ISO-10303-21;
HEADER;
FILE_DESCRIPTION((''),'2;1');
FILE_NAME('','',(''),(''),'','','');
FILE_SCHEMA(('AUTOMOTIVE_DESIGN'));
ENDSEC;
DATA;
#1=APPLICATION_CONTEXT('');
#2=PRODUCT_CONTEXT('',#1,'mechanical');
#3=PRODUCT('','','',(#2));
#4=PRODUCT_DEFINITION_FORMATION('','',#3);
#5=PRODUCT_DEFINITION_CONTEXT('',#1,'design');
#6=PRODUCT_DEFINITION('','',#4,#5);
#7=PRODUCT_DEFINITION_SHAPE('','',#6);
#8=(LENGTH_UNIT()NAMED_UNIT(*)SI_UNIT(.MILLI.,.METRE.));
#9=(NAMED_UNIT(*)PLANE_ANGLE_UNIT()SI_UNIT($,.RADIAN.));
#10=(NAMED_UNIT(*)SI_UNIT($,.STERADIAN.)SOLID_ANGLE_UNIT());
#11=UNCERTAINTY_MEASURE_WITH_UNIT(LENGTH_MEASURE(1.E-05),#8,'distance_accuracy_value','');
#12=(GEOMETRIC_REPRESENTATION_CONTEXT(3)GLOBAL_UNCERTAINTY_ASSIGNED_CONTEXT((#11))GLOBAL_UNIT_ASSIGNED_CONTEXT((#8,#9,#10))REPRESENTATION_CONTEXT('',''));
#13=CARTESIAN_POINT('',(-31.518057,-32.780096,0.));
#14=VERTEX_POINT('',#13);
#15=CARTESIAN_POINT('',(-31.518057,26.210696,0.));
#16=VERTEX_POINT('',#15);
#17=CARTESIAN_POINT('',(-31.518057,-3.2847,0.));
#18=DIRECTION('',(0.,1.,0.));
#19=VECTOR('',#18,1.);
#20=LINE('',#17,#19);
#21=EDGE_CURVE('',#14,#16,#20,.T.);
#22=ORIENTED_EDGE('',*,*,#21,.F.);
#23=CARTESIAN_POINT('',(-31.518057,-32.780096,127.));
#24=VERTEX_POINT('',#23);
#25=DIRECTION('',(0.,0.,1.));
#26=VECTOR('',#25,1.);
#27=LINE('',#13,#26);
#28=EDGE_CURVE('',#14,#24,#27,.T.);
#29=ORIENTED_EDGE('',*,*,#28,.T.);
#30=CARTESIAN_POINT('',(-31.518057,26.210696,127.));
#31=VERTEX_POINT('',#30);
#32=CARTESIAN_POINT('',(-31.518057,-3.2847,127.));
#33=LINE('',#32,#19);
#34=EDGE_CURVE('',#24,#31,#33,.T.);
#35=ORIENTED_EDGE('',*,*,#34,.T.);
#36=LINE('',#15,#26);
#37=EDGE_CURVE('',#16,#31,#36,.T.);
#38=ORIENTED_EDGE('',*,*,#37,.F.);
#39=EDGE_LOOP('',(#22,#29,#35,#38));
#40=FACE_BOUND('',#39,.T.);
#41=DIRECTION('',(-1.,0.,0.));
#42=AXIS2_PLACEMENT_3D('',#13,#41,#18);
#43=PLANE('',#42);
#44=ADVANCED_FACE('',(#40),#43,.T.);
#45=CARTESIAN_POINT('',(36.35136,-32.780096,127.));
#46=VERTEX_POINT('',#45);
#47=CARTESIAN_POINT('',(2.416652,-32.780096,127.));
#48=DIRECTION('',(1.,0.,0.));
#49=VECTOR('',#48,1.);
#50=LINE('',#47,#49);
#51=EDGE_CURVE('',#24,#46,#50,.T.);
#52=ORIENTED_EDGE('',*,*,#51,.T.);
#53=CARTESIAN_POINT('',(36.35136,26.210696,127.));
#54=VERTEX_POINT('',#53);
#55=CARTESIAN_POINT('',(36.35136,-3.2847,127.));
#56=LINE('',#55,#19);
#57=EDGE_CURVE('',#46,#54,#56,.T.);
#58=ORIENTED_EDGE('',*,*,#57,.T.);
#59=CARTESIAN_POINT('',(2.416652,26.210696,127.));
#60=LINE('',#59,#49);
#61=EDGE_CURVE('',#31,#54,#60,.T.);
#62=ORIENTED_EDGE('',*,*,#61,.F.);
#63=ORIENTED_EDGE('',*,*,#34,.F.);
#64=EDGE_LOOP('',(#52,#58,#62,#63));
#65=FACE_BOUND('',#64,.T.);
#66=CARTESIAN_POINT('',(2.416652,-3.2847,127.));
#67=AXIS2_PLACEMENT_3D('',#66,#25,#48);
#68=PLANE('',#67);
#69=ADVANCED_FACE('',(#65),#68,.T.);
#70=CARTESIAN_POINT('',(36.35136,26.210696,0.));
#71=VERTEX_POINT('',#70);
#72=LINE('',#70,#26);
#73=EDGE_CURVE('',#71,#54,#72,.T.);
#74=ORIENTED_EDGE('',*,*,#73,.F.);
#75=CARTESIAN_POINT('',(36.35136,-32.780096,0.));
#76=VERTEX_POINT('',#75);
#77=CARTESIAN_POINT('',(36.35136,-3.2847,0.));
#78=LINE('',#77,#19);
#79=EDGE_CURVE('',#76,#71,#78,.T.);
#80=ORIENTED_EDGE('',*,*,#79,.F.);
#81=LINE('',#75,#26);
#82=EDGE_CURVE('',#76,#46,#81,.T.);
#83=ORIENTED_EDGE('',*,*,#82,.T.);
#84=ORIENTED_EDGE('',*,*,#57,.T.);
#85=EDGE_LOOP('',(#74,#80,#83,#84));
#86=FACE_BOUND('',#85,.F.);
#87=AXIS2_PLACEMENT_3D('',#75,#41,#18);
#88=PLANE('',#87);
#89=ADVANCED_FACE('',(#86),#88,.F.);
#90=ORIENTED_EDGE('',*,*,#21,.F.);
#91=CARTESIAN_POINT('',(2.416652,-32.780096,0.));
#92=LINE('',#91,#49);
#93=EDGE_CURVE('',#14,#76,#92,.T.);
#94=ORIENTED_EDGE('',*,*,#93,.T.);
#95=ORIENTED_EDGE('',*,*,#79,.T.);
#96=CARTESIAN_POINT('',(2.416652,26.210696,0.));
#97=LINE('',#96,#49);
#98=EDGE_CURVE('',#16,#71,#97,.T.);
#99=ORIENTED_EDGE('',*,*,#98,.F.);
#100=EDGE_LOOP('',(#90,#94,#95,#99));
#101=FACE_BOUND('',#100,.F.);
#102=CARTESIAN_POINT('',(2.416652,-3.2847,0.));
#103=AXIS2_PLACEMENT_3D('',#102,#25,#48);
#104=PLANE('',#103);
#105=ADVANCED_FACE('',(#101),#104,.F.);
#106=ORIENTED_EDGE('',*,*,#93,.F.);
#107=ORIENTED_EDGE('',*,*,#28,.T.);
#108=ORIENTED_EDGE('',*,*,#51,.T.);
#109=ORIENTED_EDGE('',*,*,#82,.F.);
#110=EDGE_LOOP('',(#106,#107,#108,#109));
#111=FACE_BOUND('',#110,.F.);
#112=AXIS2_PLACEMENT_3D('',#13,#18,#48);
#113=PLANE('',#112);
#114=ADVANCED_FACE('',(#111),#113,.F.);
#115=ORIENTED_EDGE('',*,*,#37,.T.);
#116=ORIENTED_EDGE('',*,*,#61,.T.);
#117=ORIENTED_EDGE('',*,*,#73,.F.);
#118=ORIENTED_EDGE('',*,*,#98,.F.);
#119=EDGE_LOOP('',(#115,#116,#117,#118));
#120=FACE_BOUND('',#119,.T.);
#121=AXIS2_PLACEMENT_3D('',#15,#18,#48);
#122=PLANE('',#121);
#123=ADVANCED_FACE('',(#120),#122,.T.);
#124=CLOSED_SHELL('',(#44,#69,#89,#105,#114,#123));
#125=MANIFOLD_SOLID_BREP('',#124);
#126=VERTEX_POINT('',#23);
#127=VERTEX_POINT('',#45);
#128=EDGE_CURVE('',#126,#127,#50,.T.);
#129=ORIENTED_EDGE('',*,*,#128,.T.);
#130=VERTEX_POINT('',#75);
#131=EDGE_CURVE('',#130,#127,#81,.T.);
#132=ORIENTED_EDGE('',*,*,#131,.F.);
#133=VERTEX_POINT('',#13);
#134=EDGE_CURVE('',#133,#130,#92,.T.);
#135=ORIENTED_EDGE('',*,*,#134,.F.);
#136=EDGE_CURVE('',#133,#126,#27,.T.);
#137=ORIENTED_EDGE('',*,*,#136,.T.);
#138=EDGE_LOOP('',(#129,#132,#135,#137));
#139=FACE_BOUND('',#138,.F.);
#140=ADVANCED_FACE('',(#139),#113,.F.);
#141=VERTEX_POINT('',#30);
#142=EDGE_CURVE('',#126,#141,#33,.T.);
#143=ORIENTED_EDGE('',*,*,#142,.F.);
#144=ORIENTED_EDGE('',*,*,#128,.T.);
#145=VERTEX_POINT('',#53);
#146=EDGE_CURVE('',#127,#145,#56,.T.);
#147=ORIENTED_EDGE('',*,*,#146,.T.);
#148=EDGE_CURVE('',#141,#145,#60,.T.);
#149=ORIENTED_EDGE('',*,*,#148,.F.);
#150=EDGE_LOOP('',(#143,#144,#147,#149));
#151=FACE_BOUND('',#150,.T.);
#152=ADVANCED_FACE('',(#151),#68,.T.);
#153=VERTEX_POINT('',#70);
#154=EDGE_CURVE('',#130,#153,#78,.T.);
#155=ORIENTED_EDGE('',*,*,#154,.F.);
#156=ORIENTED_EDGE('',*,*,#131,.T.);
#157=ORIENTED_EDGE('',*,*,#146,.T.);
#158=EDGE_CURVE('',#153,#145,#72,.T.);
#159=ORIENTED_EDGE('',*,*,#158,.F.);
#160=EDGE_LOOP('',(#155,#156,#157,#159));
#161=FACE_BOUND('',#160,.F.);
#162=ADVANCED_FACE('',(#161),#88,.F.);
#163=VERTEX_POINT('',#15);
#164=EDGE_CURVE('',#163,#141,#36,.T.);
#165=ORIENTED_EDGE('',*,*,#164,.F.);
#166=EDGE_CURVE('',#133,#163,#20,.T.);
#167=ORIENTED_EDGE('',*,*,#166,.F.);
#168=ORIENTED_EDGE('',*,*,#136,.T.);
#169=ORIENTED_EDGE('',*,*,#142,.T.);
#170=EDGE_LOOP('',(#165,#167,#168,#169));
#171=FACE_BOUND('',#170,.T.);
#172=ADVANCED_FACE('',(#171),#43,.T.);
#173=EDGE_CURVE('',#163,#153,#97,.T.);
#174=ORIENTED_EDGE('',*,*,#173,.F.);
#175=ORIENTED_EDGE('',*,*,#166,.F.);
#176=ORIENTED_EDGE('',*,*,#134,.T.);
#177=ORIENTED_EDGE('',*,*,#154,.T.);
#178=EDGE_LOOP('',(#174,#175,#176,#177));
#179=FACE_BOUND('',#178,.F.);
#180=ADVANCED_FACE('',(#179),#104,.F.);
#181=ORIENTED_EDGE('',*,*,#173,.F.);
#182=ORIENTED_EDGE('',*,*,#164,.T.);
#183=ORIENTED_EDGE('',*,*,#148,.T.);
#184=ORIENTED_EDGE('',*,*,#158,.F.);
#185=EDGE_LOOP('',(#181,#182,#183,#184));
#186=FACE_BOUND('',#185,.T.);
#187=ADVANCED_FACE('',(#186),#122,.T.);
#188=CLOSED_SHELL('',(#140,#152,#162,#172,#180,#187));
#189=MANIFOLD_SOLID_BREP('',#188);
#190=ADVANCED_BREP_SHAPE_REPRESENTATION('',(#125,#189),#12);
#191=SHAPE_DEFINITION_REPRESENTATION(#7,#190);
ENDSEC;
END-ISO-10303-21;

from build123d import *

# Parameters (mm, degrees)
F2_W     = 67.8694173694
F2_H     = 58.99079144
F3_DEPTH = 127
F1_W     = 67.8694173694
F1_H     = 58.99079144


with BuildPart() as f3:
    # F2 (on face) → F3 (new body)
    with BuildSketch(Plane.XY):
        with Locations((2.416651696, -3.2847002149)):
            Rectangle(F2_W, F2_H)
    extrude(amount=F3_DEPTH)


with BuildPart() as f3b:
    # F1 (on Top) → F3, piece 2 (new body)
    with BuildSketch(Plane.XY):
        with Locations((2.416651696, -3.2847002149)):
            Rectangle(F1_W, F1_H)
    extrude(amount=F3_DEPTH)


solid = Compound([f3.part, f3b.part])
